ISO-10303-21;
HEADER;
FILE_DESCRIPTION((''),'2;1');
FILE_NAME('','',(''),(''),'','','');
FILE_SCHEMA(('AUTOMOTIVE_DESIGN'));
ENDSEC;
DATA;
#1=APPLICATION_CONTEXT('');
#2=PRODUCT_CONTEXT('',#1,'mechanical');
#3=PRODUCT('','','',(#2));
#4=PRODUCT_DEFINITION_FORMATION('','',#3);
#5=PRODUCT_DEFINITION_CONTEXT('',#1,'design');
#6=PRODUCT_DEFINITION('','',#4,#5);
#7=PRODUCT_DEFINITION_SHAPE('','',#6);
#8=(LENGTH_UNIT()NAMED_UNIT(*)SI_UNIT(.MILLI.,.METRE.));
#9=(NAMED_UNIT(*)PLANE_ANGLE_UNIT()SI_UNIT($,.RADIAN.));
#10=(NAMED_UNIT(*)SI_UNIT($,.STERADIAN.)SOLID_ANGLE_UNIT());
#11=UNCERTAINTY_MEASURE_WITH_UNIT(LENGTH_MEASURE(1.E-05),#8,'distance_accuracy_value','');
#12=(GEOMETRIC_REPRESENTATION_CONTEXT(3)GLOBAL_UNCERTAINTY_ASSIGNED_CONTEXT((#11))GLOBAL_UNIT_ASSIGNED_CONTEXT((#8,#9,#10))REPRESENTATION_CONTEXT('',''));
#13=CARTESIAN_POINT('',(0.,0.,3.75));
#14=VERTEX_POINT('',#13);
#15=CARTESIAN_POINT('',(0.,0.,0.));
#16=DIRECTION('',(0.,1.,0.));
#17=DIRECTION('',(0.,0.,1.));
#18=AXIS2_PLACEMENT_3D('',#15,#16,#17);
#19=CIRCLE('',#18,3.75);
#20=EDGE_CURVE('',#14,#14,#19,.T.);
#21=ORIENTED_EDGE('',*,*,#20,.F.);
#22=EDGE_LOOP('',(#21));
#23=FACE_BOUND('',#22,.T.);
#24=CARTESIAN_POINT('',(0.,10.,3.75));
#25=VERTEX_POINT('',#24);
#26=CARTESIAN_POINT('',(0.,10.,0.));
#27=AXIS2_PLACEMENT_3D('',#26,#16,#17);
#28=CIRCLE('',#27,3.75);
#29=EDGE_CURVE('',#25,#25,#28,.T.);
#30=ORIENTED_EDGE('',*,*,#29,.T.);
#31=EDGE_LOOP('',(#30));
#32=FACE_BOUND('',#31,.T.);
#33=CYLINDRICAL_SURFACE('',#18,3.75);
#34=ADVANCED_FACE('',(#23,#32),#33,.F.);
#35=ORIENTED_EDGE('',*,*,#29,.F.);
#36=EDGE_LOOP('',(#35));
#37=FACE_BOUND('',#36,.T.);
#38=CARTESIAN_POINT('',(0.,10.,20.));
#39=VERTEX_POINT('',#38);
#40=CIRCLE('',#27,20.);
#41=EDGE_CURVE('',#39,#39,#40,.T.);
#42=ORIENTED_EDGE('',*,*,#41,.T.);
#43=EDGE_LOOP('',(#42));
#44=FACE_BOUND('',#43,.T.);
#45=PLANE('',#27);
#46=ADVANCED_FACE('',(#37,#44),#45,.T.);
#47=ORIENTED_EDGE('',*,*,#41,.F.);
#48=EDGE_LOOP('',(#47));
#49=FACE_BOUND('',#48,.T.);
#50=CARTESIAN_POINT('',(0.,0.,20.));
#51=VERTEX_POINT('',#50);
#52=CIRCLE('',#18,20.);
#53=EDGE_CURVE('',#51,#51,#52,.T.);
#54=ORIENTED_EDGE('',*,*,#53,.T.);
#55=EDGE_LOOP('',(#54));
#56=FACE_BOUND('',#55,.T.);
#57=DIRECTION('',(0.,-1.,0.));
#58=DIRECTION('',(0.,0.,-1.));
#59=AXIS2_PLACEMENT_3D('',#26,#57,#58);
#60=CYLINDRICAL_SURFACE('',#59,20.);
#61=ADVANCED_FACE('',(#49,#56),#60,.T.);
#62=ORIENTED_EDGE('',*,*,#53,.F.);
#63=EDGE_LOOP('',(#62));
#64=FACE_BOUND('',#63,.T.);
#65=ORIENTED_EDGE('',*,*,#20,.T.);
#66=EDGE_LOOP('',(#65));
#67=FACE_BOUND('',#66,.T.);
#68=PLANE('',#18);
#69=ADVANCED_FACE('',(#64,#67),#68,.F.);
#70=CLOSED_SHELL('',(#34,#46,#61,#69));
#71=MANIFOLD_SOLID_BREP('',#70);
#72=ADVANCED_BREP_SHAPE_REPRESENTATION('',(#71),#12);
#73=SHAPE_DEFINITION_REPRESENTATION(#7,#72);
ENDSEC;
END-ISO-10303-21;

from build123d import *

# Parameters (mm, degrees)
SKETCH1_R               = 20
BOSS_EXTRUDE1_DEPTH     = 10
SKETCH2_R               = 3.75
CUT_EXTRUDE1_DEPTH      = 1
CUT_EXTRUDE1_DEPTH_BACK = 11


with BuildPart() as part:
    # Sketch1 → Boss-Extrude1 (new body)
    with BuildSketch(Plane(origin=(0, 0, 0), x_dir=(1, 0, 0), z_dir=(0, 1, 0))):
        Circle(SKETCH1_R)
    extrude(amount=BOSS_EXTRUDE1_DEPTH)

    # Sketch2 → Cut-Extrude1 (cut, two sides)
    with BuildSketch(Plane(origin=(0, 10, 0), x_dir=(1, 0, 0), z_dir=(0, 1, 0))) as cut_extrude1_sk:
        Circle(SKETCH2_R)
    extrude(amount=CUT_EXTRUDE1_DEPTH, mode=Mode.SUBTRACT)
    extrude(cut_extrude1_sk.sketch, amount=-CUT_EXTRUDE1_DEPTH_BACK, mode=Mode.SUBTRACT)


solid = part.part
